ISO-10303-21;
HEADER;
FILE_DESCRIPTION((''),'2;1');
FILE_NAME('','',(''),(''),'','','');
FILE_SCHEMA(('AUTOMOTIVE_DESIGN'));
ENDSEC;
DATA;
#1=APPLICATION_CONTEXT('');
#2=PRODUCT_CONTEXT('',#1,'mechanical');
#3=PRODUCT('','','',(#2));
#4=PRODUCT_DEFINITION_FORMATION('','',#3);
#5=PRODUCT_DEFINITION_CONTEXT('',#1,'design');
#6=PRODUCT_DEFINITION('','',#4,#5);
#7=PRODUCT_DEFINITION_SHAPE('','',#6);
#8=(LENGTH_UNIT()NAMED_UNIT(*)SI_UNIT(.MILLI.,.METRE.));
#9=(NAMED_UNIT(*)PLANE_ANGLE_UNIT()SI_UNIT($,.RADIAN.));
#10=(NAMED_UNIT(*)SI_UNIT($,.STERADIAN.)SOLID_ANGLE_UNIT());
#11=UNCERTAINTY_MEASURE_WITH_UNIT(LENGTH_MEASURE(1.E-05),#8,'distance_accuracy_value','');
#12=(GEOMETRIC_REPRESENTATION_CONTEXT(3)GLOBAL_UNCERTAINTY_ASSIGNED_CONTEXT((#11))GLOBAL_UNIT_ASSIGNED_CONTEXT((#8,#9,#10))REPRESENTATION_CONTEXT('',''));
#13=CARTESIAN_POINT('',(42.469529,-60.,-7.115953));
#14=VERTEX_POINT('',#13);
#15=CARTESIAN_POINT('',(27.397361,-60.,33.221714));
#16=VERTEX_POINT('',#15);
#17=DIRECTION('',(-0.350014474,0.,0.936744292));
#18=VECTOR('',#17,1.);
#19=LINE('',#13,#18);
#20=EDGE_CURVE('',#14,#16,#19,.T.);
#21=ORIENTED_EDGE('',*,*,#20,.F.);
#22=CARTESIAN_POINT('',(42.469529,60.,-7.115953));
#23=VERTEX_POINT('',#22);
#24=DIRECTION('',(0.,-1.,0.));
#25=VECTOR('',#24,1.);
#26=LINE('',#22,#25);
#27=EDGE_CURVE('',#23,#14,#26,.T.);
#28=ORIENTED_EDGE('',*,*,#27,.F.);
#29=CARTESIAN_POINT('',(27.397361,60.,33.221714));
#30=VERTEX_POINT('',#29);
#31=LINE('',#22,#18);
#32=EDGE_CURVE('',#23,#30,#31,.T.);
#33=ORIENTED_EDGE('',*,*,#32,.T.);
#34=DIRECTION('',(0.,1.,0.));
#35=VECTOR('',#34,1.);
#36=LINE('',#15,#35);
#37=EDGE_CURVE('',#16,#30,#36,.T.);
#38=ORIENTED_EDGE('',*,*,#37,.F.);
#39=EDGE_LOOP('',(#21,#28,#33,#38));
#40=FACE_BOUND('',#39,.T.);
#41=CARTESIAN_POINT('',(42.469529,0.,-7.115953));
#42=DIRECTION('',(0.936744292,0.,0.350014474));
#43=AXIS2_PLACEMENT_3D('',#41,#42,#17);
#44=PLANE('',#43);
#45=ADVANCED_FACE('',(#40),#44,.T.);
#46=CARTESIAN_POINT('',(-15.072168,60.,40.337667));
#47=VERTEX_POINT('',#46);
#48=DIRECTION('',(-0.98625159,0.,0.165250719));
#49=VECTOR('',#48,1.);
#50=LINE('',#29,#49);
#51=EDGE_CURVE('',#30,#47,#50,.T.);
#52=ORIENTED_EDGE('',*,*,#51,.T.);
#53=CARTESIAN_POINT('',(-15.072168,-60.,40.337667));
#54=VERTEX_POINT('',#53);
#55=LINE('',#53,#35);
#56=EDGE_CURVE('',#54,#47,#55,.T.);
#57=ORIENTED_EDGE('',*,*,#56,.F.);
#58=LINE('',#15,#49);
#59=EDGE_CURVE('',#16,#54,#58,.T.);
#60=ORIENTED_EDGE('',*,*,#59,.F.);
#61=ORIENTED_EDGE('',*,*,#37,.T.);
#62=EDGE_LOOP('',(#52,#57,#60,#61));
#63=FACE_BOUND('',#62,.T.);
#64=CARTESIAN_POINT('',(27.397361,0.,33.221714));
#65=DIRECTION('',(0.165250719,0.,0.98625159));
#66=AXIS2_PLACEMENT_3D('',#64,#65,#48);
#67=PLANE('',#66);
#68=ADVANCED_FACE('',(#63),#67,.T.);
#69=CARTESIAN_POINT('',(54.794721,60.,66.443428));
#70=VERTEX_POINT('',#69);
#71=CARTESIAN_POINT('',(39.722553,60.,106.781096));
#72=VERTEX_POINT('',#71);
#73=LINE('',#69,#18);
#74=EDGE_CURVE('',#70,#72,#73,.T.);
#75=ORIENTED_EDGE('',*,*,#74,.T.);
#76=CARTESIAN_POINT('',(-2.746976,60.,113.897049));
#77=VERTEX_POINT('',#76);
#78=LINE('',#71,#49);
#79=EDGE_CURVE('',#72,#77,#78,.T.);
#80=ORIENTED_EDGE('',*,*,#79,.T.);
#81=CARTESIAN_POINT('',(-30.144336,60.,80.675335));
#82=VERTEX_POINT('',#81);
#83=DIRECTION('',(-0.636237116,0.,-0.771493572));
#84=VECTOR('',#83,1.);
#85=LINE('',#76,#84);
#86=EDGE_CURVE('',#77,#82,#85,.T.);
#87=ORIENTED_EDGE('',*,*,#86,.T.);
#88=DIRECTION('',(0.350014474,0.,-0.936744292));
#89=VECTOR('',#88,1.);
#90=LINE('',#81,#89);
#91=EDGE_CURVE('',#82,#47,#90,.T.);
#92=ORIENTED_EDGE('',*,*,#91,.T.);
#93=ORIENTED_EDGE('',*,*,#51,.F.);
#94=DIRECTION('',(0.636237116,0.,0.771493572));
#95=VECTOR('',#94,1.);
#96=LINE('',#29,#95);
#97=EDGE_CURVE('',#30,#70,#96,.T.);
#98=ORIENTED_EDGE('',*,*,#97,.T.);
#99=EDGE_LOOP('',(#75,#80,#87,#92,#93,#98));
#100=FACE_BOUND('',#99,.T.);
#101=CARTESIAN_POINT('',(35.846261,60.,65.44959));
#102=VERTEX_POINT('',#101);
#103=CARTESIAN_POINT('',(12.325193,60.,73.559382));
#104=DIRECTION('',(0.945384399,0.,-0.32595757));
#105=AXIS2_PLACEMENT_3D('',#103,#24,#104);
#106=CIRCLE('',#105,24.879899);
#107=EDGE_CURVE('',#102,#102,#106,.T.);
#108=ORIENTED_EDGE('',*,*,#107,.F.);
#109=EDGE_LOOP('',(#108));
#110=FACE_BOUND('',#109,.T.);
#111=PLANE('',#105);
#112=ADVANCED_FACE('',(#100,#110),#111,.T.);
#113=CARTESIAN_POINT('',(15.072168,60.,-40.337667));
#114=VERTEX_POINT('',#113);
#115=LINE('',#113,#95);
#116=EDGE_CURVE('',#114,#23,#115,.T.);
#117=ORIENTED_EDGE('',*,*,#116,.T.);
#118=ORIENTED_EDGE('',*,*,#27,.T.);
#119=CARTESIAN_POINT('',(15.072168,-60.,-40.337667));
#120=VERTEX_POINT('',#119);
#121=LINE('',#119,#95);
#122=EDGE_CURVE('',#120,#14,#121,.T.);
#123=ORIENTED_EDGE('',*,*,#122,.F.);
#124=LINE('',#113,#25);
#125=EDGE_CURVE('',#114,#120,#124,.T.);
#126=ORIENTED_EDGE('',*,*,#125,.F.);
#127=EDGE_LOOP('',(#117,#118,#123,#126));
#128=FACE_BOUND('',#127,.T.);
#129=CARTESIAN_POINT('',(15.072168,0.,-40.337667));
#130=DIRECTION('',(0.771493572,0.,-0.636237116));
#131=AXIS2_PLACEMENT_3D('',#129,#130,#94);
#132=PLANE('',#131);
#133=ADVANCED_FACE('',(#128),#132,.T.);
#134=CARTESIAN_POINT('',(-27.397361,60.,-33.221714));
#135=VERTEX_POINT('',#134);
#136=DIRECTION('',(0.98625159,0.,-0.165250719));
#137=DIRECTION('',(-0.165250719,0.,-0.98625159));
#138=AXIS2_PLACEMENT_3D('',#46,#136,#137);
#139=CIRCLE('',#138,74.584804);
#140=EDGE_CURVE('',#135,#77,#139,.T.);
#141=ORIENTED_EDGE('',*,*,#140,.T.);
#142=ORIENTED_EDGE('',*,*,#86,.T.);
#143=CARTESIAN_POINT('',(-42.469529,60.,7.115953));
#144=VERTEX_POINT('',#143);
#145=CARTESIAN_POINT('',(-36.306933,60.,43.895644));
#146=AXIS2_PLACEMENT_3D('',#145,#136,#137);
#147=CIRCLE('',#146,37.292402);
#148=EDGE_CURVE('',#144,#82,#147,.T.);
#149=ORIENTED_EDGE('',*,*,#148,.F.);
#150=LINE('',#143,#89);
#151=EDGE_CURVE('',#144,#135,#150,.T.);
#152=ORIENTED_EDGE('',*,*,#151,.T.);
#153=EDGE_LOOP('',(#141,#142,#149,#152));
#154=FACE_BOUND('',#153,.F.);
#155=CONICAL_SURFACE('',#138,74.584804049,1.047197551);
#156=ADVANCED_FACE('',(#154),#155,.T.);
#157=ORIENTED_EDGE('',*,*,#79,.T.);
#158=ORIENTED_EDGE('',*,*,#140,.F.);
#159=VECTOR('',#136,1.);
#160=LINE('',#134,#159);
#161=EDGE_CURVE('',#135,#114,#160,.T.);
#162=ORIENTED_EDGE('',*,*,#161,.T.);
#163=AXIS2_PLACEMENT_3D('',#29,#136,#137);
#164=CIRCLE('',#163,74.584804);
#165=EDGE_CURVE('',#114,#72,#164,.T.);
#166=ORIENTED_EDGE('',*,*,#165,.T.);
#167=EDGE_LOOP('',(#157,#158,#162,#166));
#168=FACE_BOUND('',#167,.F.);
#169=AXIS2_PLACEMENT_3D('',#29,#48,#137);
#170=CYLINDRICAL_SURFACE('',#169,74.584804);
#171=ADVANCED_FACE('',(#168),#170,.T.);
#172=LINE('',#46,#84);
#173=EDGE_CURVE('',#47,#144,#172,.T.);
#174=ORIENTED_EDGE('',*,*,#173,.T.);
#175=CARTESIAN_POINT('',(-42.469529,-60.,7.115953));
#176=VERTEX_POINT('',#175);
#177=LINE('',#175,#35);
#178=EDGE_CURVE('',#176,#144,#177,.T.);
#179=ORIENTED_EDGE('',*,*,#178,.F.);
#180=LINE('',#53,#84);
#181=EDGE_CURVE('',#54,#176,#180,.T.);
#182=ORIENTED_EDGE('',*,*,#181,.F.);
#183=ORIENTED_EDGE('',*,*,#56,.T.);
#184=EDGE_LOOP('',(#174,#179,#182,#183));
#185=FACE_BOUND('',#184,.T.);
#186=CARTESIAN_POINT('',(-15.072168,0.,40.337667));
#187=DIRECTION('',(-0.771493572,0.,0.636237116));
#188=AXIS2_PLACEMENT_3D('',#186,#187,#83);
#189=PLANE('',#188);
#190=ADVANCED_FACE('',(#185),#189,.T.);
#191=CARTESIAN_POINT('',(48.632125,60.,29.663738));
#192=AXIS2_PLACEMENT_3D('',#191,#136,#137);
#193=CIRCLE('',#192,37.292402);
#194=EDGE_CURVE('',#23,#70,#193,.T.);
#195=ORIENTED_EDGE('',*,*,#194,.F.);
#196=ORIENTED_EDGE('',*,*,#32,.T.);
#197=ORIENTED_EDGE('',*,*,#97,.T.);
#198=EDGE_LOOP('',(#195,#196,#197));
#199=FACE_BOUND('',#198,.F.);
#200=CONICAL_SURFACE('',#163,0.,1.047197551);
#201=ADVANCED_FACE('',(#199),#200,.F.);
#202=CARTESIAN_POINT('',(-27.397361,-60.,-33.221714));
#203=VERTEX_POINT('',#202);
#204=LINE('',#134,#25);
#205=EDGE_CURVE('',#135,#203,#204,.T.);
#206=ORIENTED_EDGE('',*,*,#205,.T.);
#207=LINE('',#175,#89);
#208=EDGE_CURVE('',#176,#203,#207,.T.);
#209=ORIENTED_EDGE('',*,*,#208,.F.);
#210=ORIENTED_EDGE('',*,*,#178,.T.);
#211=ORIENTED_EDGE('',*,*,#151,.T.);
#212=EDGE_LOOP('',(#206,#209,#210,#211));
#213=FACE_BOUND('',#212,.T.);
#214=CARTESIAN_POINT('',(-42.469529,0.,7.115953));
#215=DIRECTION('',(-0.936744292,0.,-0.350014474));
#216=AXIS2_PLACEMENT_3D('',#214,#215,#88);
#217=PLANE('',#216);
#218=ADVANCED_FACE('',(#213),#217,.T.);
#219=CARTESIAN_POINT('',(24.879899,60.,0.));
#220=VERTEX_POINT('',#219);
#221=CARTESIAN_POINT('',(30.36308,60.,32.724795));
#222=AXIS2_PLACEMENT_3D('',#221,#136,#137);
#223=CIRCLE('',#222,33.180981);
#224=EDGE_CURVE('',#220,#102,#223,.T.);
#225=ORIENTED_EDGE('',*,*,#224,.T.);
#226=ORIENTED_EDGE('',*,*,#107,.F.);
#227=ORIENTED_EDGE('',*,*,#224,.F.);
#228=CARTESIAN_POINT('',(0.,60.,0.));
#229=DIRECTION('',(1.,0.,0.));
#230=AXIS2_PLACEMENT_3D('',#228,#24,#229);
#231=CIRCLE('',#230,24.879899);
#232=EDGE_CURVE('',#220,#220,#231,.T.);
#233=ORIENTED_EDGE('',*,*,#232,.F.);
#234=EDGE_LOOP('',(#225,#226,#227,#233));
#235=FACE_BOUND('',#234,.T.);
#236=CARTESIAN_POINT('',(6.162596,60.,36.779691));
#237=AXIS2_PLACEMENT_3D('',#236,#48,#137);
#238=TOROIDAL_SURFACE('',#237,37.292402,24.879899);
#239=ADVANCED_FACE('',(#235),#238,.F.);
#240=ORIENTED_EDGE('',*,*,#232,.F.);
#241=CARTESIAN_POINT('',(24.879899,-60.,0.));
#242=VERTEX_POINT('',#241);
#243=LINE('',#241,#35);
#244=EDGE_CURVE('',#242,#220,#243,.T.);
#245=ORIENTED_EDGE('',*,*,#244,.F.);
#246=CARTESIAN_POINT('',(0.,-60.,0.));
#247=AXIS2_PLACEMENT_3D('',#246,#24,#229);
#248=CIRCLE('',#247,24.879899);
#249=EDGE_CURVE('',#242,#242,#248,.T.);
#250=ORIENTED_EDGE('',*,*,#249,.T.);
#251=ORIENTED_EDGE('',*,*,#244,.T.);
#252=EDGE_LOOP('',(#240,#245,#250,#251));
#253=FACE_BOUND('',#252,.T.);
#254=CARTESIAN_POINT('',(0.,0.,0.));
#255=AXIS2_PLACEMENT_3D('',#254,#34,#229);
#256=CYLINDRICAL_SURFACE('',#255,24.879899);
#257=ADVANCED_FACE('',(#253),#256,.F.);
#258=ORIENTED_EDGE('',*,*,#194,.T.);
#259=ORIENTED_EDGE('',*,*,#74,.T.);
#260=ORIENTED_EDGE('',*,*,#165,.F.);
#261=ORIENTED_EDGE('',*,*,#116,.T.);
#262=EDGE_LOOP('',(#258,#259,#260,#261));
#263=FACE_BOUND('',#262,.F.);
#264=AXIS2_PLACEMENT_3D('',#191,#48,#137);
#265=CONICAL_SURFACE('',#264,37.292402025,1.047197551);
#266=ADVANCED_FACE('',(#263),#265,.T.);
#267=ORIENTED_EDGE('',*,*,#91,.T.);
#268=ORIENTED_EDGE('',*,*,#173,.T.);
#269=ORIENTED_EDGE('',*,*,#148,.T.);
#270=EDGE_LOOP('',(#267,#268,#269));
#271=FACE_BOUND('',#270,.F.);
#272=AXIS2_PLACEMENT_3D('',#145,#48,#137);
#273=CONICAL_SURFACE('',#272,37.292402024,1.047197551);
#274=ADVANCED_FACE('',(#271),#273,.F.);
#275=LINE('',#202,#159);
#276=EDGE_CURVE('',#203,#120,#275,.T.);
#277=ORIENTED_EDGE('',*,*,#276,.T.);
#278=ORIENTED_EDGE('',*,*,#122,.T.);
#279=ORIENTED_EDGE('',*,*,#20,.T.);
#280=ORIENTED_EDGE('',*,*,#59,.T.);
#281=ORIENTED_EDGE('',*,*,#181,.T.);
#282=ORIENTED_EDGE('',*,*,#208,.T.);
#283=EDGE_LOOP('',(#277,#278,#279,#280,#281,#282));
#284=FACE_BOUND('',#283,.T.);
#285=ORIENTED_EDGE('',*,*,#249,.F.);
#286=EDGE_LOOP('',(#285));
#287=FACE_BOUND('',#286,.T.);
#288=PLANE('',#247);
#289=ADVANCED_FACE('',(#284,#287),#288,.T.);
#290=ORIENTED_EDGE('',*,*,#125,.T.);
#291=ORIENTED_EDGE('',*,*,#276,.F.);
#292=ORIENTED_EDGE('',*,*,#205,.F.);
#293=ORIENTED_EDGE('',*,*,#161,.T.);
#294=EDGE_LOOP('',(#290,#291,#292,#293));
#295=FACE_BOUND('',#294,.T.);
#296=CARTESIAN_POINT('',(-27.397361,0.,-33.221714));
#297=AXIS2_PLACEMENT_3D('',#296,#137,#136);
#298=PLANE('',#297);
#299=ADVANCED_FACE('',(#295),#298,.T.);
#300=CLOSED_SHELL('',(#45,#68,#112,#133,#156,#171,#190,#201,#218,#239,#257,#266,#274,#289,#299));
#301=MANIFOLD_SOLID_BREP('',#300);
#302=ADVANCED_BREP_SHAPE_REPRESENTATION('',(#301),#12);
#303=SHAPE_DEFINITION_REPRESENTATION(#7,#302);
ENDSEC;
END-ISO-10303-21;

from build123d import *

# Parameters (mm, degrees)
F0_R      = 24.8798987062
F1_DEPTH  = 60
F1_FACE_R = 24.8798987062
F2_ANGLE  = 180


with BuildPart() as f1:
    # F0 (on Front) → F1 (new body, symmetric)
    with BuildSketch(Plane.XZ):
        Polygon((-42.4695287796, 7.1159532226), (-27.3973606527, -33.2217141986), (15.0721681269, -40.3376674212), (42.4695287796, -7.1159532226), (27.3973606527, 33.2217141986), (-15.0721681269, 40.3376674212), align=None)
        Circle(F0_R, mode=Mode.SUBTRACT)
    extrude(amount=F1_DEPTH, both=True)

    # F1_face (on face) → F2 (revolve)
    with BuildSketch(Plane(origin=(0, 60, 0), x_dir=(1, 0, 0), z_dir=(0, 1, 0))):
        Polygon((-42.4695287796, -7.1159532226), (-15.0721681269, -40.3376674212), (27.3973606527, -33.2217141986), (42.4695287796, 7.1159532226), (15.0721681269, 40.3376674212), (-27.3973606527, 33.2217141986), align=None)
        Circle(F1_FACE_R, mode=Mode.SUBTRACT)
    revolve(axis=Axis((6.1625962629, 60, 36.7796908099), (0.9862515905, 0, -0.1652507194)), revolution_arc=F2_ANGLE)


solid = f1.part
